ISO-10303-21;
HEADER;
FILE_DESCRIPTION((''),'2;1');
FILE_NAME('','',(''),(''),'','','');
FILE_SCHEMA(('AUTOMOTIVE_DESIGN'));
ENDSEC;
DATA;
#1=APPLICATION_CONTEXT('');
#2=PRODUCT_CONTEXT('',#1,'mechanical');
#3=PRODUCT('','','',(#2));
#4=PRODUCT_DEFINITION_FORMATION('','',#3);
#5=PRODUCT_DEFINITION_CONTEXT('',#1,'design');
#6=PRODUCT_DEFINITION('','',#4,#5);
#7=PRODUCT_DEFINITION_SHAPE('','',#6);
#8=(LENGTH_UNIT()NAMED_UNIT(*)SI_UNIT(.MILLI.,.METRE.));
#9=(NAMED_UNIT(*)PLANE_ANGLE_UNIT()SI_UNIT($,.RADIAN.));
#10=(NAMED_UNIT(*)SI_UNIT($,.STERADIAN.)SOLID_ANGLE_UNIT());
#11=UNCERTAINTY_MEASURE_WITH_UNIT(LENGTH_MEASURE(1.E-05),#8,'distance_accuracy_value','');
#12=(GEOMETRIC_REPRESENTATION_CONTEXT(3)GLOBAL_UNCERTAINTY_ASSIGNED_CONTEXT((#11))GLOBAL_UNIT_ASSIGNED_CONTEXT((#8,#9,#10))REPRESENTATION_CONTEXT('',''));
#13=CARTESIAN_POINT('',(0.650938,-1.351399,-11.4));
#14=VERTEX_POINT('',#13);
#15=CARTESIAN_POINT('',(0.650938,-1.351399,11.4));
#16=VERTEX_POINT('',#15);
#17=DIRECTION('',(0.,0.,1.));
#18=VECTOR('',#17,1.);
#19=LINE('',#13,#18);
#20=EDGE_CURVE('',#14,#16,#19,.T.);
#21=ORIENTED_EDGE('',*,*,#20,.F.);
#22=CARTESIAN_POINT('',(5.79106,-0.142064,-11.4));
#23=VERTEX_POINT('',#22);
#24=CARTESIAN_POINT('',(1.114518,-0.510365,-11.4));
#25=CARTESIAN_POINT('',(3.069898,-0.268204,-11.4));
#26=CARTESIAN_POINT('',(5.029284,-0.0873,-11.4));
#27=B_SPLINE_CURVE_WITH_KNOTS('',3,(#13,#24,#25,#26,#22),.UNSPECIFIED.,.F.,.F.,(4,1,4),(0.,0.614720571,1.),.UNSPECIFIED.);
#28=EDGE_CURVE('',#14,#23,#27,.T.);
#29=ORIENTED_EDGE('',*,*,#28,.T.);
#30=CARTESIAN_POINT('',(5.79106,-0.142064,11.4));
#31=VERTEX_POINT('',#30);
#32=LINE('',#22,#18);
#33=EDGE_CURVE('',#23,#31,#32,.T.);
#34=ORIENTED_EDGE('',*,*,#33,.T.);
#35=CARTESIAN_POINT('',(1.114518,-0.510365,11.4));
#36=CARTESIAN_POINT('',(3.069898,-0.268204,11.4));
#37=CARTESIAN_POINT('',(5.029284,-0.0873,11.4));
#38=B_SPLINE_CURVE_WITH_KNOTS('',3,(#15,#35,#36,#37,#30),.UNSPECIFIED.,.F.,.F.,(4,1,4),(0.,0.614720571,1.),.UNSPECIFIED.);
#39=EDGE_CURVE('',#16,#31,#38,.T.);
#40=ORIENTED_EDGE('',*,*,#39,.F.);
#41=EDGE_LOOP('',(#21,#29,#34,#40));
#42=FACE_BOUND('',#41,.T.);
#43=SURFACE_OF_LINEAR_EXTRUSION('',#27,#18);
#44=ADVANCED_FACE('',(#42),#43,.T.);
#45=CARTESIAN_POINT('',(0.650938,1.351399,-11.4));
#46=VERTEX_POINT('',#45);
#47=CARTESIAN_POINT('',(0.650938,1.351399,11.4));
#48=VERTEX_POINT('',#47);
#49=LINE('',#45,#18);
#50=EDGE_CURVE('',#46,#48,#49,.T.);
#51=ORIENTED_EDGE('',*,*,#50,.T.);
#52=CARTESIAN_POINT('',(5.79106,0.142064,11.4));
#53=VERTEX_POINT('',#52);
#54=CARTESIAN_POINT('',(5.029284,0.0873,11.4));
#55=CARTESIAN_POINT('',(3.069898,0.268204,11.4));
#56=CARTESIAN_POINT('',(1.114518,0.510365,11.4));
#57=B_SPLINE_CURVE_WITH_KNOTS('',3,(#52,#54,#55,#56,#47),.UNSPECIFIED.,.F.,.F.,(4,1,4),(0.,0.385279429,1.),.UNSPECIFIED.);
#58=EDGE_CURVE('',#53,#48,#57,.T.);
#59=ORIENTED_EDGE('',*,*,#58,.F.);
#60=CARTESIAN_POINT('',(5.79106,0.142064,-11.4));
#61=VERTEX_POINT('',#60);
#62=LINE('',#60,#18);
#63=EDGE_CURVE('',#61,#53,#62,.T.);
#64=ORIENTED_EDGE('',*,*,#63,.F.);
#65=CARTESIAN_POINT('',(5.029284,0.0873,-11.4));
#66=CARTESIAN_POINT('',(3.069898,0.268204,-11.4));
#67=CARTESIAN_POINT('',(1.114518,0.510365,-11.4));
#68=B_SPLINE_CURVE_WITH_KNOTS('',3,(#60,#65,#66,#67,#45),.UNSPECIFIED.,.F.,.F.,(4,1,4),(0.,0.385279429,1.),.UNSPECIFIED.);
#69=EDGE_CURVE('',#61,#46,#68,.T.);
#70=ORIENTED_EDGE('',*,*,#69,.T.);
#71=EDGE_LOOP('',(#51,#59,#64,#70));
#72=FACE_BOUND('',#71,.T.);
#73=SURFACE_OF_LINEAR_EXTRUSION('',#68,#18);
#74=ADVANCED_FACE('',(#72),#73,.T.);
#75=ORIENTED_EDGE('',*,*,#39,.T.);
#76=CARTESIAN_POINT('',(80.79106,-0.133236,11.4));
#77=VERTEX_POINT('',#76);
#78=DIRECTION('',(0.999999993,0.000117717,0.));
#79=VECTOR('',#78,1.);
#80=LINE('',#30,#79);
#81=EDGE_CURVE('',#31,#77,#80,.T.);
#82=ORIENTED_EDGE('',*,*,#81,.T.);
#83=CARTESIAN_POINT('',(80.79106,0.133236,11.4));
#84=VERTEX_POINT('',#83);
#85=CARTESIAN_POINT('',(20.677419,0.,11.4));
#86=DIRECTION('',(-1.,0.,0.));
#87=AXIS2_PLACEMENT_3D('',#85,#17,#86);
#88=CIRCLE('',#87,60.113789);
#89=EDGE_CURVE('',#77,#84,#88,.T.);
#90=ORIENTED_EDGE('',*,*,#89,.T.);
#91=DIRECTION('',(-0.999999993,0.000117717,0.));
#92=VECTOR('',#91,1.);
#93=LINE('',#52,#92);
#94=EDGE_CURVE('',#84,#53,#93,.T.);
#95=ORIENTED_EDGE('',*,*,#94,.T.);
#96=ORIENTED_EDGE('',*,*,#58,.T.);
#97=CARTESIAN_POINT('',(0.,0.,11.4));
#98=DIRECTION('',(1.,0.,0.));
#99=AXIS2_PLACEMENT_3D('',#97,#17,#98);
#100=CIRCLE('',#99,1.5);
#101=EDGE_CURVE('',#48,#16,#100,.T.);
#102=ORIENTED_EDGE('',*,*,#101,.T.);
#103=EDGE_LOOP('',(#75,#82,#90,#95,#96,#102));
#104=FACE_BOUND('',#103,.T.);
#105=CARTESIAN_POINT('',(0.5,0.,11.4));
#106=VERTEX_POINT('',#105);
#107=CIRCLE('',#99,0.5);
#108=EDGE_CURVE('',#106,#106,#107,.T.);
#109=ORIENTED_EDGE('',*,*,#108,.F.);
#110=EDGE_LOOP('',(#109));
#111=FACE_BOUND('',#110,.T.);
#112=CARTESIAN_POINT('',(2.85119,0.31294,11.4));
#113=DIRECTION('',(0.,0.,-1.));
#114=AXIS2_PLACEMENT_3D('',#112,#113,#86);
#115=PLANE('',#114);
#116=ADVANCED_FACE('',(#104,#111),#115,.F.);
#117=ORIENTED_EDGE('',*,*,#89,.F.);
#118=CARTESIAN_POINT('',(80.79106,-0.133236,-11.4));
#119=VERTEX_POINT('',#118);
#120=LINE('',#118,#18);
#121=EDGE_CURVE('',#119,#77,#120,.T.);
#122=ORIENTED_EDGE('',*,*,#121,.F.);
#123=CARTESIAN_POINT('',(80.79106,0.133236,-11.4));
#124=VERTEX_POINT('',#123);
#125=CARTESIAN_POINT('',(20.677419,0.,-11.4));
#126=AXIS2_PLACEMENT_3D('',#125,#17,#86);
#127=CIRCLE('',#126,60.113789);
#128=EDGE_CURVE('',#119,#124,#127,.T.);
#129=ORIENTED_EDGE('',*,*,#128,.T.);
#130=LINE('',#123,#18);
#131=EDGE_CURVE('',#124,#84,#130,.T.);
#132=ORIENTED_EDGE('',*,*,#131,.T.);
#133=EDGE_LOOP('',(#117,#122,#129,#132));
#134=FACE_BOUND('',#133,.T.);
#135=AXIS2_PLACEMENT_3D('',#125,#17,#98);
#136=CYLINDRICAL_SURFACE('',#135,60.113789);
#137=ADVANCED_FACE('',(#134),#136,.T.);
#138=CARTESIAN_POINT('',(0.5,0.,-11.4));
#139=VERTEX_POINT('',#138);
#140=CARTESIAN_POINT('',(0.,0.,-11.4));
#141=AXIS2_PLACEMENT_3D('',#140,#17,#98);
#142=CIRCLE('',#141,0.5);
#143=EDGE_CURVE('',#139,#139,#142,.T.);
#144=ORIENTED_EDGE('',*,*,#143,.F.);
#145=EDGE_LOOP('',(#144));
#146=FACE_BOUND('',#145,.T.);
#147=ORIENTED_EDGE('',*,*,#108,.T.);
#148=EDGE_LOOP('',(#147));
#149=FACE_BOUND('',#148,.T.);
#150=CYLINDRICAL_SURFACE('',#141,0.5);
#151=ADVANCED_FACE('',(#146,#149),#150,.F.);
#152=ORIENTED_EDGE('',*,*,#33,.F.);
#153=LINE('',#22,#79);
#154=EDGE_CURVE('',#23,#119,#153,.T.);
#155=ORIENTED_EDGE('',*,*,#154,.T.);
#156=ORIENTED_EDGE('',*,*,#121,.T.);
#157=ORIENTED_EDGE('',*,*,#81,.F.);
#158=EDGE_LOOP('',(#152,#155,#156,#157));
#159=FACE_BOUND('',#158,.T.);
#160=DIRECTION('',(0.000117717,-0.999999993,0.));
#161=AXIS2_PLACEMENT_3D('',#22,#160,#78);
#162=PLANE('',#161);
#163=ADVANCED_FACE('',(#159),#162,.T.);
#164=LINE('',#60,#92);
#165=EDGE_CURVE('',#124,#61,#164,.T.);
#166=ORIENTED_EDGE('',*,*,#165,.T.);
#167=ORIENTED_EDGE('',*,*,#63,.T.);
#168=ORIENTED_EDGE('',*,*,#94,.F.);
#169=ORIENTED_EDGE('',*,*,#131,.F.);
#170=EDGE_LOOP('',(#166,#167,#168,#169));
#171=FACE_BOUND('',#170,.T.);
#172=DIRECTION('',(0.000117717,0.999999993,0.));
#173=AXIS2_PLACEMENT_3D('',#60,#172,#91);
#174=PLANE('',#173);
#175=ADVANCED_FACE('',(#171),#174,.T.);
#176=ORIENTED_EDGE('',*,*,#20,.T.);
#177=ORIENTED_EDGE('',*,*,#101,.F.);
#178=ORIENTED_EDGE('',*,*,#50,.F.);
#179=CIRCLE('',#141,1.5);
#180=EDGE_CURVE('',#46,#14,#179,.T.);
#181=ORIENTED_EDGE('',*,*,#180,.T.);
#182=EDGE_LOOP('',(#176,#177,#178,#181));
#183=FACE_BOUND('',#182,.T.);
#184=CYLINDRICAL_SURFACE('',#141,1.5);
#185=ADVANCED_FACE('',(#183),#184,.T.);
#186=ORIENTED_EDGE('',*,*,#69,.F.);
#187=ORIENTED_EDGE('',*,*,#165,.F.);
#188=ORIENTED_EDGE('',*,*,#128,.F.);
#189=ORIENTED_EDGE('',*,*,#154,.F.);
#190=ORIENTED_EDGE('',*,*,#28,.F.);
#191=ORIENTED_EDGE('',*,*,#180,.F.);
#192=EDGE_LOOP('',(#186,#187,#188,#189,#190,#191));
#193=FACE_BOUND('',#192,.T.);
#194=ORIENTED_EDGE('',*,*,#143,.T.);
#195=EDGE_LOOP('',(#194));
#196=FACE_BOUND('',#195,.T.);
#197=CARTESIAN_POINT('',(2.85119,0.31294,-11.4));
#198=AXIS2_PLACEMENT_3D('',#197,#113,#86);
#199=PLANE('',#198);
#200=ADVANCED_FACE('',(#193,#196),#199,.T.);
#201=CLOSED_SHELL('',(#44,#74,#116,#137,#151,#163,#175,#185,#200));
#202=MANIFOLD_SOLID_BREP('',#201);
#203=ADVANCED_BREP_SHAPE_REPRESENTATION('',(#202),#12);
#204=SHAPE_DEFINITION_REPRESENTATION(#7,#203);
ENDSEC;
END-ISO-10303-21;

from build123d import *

# Parameters (mm, degrees)
BOSS_EXTRU_1_DEPTH      = 11.4
BOSS_EXTRU_1_DEPTH_BACK = 11.4
ESQUISSE2_R             = 0.5


with BuildPart() as part:
    # Esquisse2 → Boss.-Extru.1 (new, two sides: drawn at the far end of the back side and taken through both)
    with BuildSketch(Plane.XY.offset(-BOSS_EXTRU_1_DEPTH_BACK)):
        with BuildLine():
            Line((5.791060422, 0.142064292), (80.791060422, 0.133235508))
            ThreePointArc((80.791060422, 0.133235508), (80.791208073, 0), (80.791060422, -0.133235508))
            Line((80.791060422, -0.133235508), (5.791060422, -0.142064292))
            add(Edge.make_bspline(
                [(0.650938463, -1.351398948), (1.114517622, -0.510365175), (3.069897688, -0.268204079), (5.029284194, -0.087299538), (5.791060422, -0.142064292)],
                knots=[0, 0, 0, 0, 0.614720571, 1, 1, 1, 1], degree=3))
            ThreePointArc((0.650938463, -1.351398948), (-1.5, 0), (0.650938463, 1.351398948))
            add(Edge.make_bspline(
                [(0.650938463, 1.351398948), (1.114517622, 0.510365175), (3.069897688, 0.268204079), (5.029284194, 0.087299538), (5.791060422, 0.142064292)],
                knots=[0, 0, 0, 0, 0.614720571, 1, 1, 1, 1], degree=3))
        make_face()
        Circle(ESQUISSE2_R, mode=Mode.SUBTRACT)
    extrude(amount=BOSS_EXTRU_1_DEPTH + BOSS_EXTRU_1_DEPTH_BACK)


solid = part.part
